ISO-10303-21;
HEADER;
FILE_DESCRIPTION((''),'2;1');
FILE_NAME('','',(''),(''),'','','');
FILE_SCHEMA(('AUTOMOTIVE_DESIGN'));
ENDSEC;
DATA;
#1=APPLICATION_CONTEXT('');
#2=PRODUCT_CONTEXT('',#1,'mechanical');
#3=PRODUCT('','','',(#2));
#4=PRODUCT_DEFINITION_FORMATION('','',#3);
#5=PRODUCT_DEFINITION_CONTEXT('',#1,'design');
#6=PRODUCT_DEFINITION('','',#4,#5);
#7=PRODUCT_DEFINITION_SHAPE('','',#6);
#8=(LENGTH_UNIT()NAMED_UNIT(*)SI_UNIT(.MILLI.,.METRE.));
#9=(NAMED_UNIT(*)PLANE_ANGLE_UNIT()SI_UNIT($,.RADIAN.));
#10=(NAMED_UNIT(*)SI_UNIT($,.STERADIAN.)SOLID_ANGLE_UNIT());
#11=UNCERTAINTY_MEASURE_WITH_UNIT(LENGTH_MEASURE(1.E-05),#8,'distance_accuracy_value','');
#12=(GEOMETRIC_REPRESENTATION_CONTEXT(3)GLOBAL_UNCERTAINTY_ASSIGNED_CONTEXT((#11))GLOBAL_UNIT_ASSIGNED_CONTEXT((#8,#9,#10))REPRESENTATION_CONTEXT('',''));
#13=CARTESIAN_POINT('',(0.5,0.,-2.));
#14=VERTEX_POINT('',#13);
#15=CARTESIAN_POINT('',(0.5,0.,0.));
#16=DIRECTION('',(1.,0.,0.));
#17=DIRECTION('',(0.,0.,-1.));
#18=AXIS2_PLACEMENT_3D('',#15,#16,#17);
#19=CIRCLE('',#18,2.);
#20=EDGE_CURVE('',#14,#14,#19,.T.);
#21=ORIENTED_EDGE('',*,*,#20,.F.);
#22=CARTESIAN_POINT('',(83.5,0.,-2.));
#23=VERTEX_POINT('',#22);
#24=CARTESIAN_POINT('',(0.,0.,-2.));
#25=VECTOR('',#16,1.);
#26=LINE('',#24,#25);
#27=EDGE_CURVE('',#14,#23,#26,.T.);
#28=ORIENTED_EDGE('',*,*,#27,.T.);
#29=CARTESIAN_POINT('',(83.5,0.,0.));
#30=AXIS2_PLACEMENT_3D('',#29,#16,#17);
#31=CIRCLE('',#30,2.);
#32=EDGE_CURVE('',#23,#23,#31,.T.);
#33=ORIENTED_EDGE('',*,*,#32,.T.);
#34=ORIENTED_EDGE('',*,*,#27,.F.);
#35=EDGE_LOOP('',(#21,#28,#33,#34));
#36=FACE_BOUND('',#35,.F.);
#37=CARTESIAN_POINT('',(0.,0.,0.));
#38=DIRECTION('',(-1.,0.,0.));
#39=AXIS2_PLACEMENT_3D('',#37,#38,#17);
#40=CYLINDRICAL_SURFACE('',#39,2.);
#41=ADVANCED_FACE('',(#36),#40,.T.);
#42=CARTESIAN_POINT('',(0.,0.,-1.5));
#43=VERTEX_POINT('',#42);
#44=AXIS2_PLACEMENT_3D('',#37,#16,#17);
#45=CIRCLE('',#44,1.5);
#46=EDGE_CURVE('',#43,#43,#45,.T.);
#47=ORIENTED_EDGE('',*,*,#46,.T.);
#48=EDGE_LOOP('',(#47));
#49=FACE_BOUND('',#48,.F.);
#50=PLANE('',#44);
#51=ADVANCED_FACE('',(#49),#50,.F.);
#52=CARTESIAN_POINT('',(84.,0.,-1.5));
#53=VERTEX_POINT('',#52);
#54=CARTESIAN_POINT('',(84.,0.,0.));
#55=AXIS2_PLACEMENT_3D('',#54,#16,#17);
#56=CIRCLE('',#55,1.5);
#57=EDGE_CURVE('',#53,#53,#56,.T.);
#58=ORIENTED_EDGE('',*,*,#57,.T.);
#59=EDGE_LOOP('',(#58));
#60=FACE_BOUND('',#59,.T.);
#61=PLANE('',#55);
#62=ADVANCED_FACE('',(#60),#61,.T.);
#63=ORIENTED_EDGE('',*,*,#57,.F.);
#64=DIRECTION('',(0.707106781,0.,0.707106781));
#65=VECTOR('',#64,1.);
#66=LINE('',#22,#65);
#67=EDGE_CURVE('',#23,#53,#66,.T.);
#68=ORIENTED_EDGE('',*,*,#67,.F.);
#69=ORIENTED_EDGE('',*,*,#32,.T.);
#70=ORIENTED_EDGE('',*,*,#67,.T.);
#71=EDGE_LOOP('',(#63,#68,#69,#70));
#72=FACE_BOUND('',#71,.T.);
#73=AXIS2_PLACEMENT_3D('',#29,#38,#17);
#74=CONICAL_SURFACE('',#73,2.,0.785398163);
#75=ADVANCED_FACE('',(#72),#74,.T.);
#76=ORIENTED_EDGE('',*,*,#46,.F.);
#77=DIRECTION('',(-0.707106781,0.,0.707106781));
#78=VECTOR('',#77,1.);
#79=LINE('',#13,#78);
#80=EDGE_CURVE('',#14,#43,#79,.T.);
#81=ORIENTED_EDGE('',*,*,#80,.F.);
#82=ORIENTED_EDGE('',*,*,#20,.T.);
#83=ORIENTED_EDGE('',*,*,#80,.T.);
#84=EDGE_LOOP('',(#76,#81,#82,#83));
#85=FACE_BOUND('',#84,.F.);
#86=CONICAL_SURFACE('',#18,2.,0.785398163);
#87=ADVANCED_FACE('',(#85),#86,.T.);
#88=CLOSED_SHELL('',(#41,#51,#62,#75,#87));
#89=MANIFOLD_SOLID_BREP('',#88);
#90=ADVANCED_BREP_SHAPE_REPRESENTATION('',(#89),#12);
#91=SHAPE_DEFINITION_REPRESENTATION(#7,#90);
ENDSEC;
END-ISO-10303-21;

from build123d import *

# Parameters (mm, degrees)
SKETCH1_R           = 2
BOSS_EXTRUDE1_DEPTH = 84
CHAMFER1_SIZE       = 0.5


with BuildPart() as part:
    # Sketch1 → Boss-Extrude1 (new body)
    with BuildSketch(Plane(origin=(0, 0, 0), x_dir=(0, 0, -1), z_dir=(1, 0, 0))):
        Circle(SKETCH1_R)
    extrude(amount=BOSS_EXTRUDE1_DEPTH)

    # Chamfer1
    chamfer1_edges = [part.edges().sort_by_distance(p)[0] for p in [
        (0, 0, 2),
        (84, 0, 2),
    ]]
    chamfer(chamfer1_edges, length=CHAMFER1_SIZE)


solid = part.part
